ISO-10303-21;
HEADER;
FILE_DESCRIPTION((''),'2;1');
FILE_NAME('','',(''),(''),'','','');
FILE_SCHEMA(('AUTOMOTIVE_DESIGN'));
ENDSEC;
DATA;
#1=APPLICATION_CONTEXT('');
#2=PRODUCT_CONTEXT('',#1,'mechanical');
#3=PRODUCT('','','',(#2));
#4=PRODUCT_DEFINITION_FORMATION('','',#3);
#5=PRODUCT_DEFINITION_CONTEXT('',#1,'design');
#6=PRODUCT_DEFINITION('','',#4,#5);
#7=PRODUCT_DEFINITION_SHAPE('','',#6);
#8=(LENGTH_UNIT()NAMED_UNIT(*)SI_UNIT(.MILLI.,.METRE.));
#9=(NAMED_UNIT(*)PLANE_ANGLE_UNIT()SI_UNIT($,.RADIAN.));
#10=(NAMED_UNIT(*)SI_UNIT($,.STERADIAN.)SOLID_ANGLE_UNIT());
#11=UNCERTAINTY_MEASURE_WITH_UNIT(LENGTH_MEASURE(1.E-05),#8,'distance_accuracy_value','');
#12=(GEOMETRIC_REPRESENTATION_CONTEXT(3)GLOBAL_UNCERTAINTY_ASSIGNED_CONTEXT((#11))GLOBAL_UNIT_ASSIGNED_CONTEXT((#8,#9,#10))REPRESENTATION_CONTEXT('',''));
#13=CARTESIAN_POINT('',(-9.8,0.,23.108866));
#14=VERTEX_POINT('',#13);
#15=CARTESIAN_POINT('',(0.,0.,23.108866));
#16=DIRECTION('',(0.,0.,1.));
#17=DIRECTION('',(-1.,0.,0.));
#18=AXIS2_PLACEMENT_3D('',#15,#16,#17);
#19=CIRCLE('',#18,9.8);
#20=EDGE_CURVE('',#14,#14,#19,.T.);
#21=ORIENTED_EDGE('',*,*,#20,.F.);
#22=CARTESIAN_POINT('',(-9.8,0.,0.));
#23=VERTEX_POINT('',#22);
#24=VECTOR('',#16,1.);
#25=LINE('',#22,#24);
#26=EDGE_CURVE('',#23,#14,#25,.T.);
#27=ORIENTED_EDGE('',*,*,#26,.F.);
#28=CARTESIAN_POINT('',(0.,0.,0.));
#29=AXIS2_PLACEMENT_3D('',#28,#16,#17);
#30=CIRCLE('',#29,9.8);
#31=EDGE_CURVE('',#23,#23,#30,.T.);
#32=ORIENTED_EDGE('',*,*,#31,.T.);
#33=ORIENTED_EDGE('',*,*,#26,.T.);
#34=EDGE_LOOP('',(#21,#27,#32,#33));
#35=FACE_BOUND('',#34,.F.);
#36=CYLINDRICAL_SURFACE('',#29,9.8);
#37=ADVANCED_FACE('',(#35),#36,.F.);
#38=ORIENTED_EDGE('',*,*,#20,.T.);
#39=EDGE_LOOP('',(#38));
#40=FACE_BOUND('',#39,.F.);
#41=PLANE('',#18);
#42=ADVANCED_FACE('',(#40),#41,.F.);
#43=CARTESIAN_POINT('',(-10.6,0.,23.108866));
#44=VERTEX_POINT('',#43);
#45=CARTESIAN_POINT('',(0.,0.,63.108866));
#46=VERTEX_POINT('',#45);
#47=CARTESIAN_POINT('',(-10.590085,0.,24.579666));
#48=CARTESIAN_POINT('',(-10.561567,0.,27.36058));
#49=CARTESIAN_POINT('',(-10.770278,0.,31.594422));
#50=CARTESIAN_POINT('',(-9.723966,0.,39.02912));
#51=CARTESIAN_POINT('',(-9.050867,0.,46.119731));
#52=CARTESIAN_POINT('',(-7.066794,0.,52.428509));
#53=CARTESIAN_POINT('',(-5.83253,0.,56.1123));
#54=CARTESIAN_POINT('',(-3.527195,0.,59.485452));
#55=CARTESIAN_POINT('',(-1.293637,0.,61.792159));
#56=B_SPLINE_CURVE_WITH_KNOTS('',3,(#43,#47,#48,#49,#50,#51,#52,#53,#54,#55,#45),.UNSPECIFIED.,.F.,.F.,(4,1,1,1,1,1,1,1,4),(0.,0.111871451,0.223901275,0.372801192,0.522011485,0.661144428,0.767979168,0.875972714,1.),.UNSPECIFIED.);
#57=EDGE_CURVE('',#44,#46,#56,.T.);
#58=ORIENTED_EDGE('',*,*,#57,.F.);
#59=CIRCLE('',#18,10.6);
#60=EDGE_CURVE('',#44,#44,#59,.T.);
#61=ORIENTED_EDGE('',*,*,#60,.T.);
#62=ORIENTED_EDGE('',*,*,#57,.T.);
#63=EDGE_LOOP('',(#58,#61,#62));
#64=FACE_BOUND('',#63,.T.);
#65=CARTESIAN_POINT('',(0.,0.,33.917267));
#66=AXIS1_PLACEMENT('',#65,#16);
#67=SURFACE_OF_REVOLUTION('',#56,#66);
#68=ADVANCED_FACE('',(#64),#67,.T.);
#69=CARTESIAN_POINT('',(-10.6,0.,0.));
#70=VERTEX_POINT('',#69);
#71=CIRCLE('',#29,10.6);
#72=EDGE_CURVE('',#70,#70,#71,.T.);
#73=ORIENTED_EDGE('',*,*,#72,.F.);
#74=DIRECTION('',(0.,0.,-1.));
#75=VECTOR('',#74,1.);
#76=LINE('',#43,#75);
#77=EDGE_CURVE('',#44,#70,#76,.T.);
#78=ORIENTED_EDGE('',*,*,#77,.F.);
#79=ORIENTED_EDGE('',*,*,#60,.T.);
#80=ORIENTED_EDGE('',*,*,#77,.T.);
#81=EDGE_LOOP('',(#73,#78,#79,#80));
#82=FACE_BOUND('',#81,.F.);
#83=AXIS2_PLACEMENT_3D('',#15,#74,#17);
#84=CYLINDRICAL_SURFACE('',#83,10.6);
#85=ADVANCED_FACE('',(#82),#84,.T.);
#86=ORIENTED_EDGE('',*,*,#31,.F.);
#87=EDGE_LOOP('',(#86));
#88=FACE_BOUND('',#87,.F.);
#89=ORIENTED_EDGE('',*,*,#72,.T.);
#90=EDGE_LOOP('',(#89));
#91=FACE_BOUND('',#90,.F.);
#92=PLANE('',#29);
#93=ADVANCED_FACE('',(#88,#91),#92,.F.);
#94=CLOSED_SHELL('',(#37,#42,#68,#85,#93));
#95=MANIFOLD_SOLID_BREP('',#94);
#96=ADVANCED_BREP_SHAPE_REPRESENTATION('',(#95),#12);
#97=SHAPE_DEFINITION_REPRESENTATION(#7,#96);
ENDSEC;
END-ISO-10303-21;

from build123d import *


with BuildPart() as f1:
    # F0 (on Front) → F1 (revolve)
    with BuildSketch(Plane.XZ):
        with BuildLine():
            Line((-10.6, 0), (-9.8, 0))
            Line((-9.8, 0), (-9.8, 23.1088660657))
            Line((-9.8, 23.1088660657), (0, 23.1088660657))
            Line((0, 23.1088660657), (0, 63.1088660657))
            add(Edge.make_bspline(
                [(-10.6, 23.1088660657), (-10.5900854957, 24.5796658931), (-10.5615671657, 27.3605801833), (-10.7702778903, 31.5944223981), (-9.7239662259, 39.0291198939), (-9.0508667522, 46.1197311609), (-7.0667940105, 52.4285092042), (-5.8325302544, 56.1123003586), (-3.5271951498, 59.4854515859), (-1.2936368173, 61.7921589865), (0, 63.1088660657)],
                knots=[0, 0, 0, 0, 0.1118714514, 0.2239012748, 0.372801192, 0.5220114851, 0.6611444278, 0.7679791684, 0.8759727138, 1, 1, 1, 1], degree=3))
            Line((-10.6, 23.1088660657), (-10.6, 0))
        make_face()
    revolve(axis=Axis((0, 0, 33.9172668755), (0, 0, 1)))


solid = f1.part
